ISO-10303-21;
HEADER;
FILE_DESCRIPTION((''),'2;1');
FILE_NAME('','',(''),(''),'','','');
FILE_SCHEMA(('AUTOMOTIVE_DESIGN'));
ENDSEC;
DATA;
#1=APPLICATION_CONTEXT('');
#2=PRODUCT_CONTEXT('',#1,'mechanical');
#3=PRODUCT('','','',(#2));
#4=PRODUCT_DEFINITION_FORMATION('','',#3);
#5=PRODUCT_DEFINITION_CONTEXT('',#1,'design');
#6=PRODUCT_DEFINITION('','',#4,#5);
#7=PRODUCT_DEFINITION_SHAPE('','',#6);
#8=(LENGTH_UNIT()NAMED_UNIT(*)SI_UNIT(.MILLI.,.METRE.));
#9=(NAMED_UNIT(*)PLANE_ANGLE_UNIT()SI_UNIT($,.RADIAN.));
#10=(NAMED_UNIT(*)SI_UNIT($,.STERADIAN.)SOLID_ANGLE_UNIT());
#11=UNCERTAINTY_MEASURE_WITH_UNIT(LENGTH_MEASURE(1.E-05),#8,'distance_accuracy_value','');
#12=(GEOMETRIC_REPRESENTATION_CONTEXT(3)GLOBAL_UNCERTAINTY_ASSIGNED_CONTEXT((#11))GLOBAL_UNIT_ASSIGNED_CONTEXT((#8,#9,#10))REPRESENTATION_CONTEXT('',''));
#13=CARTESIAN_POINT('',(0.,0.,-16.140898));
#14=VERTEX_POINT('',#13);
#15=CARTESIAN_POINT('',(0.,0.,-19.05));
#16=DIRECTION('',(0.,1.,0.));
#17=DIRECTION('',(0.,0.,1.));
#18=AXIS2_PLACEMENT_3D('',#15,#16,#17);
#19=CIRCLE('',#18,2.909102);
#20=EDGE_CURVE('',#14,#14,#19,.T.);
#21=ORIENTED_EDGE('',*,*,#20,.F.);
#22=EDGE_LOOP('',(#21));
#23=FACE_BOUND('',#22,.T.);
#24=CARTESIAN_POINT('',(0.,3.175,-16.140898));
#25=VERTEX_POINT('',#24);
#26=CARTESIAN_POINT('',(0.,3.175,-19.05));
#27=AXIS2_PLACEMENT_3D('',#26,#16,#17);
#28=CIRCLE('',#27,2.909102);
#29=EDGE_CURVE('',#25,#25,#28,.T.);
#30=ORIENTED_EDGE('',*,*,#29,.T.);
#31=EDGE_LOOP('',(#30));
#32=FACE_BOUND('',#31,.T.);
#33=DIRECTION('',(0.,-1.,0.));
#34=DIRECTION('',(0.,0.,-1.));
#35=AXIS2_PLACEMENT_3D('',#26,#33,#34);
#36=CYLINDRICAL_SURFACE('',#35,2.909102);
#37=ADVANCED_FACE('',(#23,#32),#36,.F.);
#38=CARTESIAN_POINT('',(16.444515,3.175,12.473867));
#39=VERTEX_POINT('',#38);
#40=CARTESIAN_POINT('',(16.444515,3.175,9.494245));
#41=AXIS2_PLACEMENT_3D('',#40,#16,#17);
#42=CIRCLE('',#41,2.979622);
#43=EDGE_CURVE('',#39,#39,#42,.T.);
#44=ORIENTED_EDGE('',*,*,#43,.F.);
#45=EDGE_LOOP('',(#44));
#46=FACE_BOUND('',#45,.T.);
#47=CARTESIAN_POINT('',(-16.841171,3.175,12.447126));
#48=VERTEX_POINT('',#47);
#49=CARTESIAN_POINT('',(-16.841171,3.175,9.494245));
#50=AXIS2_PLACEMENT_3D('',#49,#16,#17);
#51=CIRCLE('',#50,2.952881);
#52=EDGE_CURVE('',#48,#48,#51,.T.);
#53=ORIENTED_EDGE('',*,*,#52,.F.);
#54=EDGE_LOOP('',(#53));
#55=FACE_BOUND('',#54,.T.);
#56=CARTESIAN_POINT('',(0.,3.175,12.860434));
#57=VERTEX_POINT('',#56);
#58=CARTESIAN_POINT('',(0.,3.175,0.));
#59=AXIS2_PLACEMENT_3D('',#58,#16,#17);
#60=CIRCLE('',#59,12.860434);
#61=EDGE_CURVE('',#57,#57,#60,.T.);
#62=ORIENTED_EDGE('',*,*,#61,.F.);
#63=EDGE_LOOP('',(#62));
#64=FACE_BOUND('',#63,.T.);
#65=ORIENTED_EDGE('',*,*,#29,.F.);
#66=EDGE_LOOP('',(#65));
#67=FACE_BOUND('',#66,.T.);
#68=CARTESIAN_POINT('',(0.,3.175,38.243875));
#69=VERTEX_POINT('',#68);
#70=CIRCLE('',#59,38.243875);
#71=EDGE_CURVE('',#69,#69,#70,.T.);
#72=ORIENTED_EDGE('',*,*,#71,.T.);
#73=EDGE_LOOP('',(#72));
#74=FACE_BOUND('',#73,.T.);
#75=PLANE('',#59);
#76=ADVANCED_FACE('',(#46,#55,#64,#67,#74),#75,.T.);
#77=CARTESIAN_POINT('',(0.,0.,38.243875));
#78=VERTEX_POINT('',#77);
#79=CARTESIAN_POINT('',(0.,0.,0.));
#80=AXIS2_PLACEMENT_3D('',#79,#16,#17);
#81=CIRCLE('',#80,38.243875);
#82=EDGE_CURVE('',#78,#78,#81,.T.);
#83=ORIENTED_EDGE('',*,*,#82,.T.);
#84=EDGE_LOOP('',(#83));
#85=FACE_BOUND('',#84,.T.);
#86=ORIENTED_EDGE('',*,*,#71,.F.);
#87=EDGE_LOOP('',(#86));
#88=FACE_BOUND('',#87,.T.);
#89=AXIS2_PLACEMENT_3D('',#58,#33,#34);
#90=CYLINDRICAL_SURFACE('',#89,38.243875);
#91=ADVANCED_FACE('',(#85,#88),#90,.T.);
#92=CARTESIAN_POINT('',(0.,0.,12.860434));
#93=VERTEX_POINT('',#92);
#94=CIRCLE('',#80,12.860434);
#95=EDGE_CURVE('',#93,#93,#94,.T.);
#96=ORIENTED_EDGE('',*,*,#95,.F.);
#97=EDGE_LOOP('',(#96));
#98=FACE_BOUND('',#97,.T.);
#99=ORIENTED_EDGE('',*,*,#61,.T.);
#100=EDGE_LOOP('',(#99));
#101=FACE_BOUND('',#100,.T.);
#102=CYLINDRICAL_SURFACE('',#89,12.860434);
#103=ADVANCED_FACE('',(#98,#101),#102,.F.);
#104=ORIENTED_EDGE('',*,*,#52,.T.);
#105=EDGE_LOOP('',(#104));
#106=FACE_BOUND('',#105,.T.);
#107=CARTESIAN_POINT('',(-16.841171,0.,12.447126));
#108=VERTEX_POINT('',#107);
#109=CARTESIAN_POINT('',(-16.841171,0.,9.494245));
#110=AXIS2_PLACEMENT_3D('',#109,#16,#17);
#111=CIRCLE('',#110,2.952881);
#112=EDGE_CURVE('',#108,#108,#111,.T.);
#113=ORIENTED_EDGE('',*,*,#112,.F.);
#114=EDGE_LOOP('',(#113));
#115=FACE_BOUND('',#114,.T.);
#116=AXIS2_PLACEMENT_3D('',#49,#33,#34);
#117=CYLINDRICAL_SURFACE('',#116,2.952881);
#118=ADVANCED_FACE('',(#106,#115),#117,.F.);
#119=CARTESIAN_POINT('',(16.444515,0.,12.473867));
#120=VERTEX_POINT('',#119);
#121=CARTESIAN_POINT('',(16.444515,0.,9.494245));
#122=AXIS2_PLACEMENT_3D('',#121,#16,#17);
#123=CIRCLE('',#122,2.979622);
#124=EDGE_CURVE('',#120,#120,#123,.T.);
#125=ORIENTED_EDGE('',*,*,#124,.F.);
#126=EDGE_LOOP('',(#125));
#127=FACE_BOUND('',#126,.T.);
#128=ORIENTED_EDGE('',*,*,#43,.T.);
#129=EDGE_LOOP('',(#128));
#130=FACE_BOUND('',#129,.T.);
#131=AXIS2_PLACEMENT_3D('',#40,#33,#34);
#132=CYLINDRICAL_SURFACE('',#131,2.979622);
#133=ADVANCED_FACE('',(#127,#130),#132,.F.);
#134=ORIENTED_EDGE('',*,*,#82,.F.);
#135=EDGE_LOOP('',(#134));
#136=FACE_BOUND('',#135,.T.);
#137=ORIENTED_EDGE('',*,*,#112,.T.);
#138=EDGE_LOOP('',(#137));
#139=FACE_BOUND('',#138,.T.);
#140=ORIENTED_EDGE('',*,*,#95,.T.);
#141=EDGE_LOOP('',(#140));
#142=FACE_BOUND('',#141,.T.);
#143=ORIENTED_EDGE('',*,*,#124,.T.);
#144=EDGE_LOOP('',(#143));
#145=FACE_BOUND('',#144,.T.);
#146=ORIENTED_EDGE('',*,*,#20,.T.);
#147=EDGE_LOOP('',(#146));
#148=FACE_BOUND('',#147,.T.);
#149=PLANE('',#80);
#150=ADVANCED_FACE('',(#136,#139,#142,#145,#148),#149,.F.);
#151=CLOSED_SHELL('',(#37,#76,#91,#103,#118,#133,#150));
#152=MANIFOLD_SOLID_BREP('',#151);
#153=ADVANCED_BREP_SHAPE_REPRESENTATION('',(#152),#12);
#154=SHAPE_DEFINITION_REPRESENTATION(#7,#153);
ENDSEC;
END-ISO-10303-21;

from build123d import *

# Parameters (mm, degrees)
SKETCH1_R           = 38.243875115
SKETCH1_R_2         = 12.860433797
SKETCH1_R_3         = 2.952880618
SKETCH1_R_4         = 2.979621757
SKETCH1_R_5         = 2.909102137
BOSS_EXTRUDE1_DEPTH = 3.175


with BuildPart() as part:
    # Sketch1 → Boss-Extrude1 (new body)
    with BuildSketch(Plane(origin=(0, 0, 0), x_dir=(1, 0, 0), z_dir=(0, 1, 0))):
        with Locations(Location((0, 0, 0), (0, 0, 270))):
            Circle(SKETCH1_R)
        with Locations(Location((0, 0, 0), (0, 0, 270))):
            Circle(SKETCH1_R_2, mode=Mode.SUBTRACT)
        with Locations(Location((-16.841170726, -9.494245367, 0), (0, 0, 270))):
            Circle(SKETCH1_R_3, mode=Mode.SUBTRACT)
        with Locations(Location((16.444515355, -9.494245367, 0), (0, 0, 270))):
            Circle(SKETCH1_R_4, mode=Mode.SUBTRACT)
        with Locations(Location((0, 19.05, 0), (0, 0, 270))):
            Circle(SKETCH1_R_5, mode=Mode.SUBTRACT)
    extrude(amount=BOSS_EXTRUDE1_DEPTH)


solid = part.part
